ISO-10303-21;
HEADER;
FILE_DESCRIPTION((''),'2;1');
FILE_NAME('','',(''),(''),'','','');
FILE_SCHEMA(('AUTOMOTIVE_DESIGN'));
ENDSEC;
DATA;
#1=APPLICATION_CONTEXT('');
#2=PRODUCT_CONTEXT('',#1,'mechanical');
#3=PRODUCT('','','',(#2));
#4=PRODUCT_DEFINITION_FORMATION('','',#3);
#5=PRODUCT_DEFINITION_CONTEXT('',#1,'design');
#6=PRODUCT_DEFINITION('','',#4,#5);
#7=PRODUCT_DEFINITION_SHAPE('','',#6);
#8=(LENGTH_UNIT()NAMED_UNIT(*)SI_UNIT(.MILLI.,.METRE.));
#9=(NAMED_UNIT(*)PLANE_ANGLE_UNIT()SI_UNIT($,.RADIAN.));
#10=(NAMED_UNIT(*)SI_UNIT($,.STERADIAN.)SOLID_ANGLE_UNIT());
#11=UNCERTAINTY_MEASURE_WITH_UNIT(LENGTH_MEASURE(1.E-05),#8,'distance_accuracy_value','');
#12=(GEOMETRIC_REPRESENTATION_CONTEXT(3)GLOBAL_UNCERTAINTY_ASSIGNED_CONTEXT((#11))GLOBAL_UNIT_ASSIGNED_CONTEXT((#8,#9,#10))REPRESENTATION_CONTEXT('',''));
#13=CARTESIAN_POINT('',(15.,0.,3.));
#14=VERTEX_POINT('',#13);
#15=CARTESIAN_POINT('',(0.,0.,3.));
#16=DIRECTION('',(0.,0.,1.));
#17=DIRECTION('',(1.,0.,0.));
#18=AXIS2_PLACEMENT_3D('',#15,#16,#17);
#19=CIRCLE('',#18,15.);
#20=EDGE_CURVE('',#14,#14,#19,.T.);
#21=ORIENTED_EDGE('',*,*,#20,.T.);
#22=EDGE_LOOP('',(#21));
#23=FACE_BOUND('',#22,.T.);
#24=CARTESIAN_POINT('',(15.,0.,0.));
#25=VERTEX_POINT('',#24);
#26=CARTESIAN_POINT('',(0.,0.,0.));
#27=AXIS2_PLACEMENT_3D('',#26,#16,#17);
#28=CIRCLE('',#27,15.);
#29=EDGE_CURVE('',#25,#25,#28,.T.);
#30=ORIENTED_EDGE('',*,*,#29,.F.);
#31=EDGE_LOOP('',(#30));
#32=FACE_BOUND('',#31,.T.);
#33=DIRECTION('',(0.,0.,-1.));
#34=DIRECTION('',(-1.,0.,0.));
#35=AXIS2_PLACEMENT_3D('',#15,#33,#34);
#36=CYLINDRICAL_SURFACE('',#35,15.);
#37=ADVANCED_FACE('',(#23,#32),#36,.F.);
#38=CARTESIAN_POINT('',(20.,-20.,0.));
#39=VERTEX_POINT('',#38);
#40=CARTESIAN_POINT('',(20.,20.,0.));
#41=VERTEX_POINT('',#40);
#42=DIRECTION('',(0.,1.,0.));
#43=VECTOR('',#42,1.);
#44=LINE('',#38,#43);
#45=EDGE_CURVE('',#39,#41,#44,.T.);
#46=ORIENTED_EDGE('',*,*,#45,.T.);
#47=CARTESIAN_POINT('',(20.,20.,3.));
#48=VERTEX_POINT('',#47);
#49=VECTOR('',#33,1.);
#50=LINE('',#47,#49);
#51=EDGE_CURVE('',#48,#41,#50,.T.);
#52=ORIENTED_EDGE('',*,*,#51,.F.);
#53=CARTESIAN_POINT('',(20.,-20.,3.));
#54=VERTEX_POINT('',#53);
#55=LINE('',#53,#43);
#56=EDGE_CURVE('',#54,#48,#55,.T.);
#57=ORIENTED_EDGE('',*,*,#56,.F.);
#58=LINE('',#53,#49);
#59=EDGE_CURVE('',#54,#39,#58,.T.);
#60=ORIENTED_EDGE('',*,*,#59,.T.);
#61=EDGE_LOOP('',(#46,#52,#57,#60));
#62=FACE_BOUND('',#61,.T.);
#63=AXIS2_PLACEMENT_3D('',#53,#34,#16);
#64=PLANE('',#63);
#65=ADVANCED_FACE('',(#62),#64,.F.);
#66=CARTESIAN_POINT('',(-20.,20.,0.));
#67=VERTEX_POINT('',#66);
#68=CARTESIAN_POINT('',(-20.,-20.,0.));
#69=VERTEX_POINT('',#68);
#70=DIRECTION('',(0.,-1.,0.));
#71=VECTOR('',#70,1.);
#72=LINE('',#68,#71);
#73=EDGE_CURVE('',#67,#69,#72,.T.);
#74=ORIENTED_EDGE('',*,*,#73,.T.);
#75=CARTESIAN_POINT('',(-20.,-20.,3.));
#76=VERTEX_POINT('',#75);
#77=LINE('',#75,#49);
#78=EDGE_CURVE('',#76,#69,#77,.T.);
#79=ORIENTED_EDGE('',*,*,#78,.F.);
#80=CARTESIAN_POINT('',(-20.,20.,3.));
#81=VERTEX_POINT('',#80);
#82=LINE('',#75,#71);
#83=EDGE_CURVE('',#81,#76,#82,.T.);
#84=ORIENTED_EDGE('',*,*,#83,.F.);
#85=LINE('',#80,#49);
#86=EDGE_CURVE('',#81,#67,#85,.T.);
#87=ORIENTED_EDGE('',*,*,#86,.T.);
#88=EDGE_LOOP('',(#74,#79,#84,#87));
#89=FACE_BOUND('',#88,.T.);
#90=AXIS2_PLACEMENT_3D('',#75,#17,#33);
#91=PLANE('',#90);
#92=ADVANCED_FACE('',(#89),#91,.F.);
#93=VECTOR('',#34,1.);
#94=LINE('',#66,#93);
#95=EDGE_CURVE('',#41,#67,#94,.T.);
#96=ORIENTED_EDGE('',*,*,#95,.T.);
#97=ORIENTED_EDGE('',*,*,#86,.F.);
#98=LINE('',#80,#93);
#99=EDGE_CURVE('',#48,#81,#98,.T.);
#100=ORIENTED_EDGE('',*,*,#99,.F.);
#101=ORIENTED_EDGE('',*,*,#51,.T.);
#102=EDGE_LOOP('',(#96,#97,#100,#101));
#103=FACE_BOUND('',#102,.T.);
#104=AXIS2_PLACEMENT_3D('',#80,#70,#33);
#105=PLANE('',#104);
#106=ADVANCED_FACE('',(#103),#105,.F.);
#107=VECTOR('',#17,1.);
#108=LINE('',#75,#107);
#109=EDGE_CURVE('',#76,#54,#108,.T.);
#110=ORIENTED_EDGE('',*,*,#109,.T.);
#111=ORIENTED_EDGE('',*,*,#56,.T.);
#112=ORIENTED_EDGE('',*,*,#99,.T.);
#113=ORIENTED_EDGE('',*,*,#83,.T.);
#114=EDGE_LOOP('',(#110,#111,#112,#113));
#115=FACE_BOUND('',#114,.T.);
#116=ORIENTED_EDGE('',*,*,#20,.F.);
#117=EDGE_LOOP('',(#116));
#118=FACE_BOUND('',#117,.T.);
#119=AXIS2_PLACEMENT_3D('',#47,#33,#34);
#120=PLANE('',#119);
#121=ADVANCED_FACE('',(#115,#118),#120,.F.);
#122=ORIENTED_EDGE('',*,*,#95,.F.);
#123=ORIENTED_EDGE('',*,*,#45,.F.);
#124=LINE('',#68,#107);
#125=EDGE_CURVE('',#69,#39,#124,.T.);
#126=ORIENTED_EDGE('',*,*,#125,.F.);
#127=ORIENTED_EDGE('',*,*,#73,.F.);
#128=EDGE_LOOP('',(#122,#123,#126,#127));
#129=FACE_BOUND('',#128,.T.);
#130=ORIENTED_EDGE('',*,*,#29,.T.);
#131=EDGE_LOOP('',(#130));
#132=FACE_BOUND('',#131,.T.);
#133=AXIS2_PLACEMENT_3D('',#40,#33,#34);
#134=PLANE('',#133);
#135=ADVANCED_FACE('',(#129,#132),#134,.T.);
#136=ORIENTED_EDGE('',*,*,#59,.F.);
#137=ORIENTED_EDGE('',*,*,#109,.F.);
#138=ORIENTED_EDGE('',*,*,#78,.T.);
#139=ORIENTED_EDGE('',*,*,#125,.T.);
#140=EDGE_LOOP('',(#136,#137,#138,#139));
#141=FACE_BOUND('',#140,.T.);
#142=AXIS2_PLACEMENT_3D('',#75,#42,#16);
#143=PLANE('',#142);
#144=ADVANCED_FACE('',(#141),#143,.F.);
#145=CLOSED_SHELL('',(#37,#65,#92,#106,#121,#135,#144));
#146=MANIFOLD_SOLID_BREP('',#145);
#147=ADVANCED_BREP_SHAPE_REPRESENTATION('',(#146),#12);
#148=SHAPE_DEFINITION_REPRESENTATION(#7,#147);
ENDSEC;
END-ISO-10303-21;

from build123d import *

# Parameters (mm, degrees)
CROQUIS1_W              = 40
CROQUIS1_H              = 40
CROQUIS1_R              = 15
SALIENTE_EXTRUIR1_DEPTH = 3


with BuildPart() as part:
    # Croquis1 → Saliente-Extruir1 (new body)
    with BuildSketch(Plane.XY):
        Rectangle(CROQUIS1_W, CROQUIS1_H)
        Circle(CROQUIS1_R, mode=Mode.SUBTRACT)
    extrude(amount=SALIENTE_EXTRUIR1_DEPTH)


solid = part.part
